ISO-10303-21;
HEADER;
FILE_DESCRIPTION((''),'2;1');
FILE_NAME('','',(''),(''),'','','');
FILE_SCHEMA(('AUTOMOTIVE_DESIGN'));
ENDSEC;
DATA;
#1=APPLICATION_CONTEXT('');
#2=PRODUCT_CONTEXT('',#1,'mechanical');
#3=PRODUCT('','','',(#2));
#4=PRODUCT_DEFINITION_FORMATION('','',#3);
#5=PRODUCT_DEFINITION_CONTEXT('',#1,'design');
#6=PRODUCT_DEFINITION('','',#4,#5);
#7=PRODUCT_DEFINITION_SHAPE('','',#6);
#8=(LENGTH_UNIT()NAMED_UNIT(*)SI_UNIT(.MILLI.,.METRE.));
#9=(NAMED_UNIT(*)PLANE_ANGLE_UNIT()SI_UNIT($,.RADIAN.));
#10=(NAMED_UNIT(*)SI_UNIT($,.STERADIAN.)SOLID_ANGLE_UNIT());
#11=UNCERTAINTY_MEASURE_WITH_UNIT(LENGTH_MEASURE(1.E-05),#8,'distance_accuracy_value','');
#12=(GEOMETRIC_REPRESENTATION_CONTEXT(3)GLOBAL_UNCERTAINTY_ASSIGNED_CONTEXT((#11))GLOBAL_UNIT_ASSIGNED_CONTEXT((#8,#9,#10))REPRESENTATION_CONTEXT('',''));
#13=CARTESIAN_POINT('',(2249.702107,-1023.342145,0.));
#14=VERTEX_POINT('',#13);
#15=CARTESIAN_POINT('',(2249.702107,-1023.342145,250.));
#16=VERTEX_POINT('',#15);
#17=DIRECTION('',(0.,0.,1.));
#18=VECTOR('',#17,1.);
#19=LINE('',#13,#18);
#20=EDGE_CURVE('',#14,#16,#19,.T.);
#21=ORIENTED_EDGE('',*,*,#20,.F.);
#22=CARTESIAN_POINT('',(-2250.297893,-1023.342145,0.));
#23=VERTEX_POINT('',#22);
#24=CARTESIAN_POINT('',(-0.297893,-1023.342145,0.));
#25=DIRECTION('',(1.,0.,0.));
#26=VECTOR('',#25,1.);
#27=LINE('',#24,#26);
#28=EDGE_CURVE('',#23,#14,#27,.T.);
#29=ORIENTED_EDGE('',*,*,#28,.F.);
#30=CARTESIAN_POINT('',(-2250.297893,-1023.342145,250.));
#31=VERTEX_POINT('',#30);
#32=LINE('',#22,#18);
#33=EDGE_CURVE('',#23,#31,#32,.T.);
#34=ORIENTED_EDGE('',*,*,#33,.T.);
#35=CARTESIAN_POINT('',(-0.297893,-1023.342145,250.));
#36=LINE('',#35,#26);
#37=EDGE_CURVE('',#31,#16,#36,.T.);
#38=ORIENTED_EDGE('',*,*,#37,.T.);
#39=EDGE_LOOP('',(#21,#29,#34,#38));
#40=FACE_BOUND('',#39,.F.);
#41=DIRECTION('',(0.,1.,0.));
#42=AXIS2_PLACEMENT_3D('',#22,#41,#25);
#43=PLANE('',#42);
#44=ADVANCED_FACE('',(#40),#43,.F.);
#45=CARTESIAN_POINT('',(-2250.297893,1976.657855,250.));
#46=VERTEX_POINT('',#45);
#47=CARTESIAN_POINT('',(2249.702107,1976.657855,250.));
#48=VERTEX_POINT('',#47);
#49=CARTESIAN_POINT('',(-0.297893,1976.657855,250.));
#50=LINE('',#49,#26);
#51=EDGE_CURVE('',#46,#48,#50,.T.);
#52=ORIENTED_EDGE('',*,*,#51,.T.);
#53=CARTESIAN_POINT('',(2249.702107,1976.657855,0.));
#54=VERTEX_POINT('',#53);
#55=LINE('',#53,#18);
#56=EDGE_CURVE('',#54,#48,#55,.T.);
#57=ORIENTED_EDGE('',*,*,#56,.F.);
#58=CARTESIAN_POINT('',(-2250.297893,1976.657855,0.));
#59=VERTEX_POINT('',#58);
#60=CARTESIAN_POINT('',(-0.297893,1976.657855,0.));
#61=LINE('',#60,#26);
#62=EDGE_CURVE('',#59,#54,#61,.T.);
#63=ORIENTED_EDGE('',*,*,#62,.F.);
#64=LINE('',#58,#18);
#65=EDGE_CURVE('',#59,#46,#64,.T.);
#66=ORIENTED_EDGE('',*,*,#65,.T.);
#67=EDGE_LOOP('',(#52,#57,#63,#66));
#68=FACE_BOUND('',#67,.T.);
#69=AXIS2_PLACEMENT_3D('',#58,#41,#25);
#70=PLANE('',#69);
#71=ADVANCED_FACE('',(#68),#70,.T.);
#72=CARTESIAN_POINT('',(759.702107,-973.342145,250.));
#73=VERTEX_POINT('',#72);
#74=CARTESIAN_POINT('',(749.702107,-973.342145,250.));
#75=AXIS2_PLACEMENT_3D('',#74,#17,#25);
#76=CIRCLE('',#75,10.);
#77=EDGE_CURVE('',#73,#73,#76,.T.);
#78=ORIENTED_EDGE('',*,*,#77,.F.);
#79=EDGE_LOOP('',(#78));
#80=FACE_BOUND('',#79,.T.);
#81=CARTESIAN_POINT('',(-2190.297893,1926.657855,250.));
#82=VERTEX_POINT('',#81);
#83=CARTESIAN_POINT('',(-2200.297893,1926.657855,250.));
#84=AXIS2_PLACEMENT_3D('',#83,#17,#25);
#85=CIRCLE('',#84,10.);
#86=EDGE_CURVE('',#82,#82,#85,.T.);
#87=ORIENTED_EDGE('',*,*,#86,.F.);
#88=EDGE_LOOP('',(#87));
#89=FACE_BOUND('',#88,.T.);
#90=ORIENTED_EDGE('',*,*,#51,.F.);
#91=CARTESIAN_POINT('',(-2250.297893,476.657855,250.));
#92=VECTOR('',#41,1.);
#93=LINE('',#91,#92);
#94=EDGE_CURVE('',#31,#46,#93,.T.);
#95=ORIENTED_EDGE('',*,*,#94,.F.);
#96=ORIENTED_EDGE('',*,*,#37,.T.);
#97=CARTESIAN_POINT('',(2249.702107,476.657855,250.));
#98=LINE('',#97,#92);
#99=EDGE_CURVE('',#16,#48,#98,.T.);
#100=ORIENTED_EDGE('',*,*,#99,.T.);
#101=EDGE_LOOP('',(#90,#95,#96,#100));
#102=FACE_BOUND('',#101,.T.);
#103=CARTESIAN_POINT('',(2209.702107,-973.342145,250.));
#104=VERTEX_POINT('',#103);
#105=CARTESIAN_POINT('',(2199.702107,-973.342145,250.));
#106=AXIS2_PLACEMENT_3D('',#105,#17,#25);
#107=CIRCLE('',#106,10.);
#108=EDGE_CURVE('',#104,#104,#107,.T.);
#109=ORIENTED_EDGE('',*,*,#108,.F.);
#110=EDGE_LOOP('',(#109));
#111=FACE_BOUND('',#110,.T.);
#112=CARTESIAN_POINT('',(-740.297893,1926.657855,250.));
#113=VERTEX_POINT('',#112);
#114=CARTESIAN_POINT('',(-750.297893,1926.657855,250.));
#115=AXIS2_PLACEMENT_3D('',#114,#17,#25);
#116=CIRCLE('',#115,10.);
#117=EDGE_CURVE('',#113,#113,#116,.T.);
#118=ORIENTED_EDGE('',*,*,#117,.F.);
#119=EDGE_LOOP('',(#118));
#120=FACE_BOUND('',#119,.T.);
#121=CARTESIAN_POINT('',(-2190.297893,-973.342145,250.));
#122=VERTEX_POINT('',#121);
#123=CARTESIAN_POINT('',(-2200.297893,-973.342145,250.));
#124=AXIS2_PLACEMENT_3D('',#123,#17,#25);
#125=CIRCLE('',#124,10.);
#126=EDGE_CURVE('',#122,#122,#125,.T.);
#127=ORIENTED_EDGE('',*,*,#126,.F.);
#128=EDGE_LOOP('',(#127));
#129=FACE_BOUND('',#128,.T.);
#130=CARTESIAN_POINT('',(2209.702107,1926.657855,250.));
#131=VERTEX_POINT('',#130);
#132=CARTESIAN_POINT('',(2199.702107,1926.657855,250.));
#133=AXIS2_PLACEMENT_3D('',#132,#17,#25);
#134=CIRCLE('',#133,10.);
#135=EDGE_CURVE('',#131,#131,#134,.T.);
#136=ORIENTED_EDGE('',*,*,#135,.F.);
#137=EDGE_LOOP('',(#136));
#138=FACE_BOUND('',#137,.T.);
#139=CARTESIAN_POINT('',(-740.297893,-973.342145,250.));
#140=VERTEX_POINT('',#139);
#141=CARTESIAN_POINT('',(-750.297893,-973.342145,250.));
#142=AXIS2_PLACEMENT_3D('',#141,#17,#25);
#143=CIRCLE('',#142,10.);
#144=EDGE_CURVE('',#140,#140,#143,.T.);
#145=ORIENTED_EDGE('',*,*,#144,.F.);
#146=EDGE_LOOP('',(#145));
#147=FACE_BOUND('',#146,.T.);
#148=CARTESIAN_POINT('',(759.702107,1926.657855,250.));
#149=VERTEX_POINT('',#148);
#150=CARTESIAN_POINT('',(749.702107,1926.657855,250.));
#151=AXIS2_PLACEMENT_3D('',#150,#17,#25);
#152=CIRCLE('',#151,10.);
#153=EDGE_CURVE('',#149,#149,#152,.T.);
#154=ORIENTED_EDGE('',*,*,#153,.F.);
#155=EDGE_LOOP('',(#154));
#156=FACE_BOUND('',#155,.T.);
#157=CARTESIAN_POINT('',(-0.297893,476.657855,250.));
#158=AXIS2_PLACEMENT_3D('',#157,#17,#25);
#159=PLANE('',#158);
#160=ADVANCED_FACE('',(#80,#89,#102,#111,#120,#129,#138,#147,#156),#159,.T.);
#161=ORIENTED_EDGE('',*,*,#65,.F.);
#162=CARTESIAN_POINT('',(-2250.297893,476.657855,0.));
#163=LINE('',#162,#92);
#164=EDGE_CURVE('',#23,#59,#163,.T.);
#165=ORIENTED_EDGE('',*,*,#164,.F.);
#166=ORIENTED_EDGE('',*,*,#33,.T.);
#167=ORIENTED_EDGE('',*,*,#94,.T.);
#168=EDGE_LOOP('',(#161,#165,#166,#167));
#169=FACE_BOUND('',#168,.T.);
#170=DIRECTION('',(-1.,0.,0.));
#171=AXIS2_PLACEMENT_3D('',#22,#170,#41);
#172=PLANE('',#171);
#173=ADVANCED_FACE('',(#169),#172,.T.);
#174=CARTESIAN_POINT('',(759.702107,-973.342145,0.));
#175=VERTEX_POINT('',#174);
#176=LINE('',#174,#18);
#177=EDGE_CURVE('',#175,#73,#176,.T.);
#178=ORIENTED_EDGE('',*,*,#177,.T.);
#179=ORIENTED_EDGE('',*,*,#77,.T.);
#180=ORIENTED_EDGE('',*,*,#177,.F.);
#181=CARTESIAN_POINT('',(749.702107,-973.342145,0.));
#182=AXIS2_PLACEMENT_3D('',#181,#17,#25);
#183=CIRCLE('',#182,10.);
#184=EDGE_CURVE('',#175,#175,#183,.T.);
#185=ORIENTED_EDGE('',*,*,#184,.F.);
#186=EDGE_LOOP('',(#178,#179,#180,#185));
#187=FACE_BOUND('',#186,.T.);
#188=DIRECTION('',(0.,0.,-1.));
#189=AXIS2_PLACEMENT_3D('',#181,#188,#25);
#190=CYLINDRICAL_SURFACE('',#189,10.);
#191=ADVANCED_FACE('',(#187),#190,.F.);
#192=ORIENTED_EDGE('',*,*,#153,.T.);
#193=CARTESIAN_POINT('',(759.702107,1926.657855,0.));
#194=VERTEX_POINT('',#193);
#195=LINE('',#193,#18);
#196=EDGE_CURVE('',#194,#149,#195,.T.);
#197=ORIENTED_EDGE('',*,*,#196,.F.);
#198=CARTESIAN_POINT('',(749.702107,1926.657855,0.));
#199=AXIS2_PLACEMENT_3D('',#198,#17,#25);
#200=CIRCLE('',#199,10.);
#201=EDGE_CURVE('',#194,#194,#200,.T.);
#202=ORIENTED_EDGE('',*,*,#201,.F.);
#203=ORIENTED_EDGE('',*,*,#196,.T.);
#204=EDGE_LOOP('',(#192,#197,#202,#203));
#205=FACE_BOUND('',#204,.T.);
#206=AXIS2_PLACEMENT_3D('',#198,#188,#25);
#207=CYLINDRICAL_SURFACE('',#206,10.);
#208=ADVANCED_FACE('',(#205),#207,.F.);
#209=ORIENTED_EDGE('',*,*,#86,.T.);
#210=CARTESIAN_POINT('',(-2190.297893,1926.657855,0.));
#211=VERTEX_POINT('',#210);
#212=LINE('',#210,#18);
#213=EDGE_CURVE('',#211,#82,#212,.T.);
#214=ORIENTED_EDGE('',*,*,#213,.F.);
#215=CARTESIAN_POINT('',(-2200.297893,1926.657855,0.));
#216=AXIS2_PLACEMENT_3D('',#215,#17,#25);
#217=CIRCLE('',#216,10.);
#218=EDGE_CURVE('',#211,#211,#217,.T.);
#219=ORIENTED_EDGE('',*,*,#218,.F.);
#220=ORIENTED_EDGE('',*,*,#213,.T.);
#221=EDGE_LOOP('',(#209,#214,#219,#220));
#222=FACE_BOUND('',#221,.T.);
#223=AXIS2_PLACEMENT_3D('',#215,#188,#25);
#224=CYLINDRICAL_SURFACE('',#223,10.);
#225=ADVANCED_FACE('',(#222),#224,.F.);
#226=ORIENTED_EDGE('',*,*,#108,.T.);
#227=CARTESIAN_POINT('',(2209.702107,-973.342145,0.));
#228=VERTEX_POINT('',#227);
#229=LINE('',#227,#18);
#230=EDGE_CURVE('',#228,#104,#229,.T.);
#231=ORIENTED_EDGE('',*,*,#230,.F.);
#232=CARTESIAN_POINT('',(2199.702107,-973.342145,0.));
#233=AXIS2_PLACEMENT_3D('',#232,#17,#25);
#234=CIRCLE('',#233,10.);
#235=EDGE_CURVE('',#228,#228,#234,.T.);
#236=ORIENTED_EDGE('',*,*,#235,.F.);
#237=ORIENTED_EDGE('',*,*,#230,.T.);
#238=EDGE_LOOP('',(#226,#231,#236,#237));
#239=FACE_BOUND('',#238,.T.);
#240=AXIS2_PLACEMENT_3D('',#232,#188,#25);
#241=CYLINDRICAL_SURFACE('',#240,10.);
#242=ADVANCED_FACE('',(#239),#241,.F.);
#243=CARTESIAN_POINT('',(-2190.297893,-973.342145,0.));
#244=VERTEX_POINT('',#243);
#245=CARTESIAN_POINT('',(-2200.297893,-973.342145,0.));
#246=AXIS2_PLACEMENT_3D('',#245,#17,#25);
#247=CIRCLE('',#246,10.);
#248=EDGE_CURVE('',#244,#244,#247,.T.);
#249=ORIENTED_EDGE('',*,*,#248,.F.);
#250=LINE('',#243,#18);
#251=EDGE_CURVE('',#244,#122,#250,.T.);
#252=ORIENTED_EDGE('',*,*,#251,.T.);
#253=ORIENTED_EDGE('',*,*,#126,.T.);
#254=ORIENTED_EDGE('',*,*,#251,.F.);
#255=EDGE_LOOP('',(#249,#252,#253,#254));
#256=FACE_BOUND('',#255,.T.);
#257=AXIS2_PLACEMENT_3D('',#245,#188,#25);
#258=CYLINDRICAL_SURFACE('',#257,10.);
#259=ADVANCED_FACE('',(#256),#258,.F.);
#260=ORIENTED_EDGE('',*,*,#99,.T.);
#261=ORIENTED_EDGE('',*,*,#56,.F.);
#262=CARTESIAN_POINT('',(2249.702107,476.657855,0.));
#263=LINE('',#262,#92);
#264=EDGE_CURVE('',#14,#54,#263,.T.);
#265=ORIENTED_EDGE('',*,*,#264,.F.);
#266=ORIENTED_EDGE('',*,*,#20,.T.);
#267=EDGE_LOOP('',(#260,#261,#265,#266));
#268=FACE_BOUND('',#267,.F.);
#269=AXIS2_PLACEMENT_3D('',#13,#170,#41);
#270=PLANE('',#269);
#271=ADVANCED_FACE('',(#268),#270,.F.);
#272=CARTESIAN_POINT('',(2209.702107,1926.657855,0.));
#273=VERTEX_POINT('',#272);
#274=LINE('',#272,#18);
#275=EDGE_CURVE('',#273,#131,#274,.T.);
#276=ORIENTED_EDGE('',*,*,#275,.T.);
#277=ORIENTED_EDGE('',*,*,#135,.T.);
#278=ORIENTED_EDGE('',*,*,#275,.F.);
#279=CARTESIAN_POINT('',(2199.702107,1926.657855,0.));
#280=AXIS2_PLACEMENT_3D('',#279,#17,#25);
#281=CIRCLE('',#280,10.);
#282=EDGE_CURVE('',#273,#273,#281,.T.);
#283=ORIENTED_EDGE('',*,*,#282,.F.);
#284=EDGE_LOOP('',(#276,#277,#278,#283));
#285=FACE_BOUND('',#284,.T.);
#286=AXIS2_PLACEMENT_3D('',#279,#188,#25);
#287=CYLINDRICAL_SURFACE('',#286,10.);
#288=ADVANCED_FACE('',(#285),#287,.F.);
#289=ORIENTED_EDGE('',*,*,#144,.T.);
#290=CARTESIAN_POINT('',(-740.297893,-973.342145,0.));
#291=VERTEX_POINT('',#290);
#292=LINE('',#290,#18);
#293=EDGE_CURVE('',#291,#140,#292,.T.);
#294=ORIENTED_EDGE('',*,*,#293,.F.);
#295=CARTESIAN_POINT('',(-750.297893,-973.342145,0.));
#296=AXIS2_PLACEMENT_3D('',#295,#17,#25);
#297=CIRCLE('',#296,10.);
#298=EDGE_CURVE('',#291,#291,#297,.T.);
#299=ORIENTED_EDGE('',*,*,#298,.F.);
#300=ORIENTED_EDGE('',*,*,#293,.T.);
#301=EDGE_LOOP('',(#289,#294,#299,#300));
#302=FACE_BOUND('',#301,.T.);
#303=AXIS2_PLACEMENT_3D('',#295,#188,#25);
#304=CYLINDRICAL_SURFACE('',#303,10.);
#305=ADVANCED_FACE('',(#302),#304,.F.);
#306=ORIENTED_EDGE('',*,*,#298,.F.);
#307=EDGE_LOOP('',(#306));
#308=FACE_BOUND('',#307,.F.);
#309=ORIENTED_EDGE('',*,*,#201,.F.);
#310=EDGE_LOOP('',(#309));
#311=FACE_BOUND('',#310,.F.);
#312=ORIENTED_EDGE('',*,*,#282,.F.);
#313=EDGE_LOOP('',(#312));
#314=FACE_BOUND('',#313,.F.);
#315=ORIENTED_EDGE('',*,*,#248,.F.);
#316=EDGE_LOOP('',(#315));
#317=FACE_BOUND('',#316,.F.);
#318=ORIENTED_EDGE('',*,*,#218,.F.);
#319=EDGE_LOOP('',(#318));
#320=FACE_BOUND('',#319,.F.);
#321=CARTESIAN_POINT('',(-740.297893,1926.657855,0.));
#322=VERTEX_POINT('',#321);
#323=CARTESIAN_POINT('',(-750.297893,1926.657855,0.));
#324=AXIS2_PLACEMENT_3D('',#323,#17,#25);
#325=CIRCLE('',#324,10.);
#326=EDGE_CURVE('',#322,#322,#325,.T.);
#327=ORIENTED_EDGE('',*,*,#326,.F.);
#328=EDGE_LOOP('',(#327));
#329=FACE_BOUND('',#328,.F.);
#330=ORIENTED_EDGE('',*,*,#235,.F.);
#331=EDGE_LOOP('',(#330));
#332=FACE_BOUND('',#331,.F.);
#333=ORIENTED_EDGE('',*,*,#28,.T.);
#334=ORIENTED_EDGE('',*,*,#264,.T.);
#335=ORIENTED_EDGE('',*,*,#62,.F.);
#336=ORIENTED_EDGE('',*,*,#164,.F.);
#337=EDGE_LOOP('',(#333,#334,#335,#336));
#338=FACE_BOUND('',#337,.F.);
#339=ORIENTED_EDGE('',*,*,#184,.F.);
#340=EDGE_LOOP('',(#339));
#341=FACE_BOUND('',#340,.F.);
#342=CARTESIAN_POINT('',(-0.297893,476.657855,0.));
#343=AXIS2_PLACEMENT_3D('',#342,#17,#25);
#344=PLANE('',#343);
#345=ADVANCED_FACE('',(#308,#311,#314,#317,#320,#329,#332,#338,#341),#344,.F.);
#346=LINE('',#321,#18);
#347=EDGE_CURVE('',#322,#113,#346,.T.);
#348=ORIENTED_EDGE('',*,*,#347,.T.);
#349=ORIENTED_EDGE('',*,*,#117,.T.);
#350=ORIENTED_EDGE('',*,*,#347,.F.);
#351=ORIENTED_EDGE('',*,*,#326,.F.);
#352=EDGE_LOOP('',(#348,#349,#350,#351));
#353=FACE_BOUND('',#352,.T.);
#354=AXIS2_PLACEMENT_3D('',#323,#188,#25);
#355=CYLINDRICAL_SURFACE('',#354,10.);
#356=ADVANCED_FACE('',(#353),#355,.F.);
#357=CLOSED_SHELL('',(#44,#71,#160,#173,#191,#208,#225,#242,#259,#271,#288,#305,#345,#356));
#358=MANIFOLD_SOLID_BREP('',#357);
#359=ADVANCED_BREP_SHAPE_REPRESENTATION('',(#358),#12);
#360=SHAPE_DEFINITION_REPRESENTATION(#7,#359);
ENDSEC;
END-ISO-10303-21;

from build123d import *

# Parameters (mm, degrees)
F0_W     = 4500
F0_H     = 3000
F0_R     = 10
F1_DEPTH = 250


with BuildPart() as f1:
    # F0 (on Top) → F1 (new body)
    with BuildSketch(Plane.XY):
        with Locations((-0.297893, 476.657855)):
            Rectangle(F0_W, F0_H)
        with Locations((-2200.297893, -973.342145)):
            Circle(F0_R, mode=Mode.SUBTRACT)
        with Locations((-750.297893, -973.342145)):
            Circle(F0_R, mode=Mode.SUBTRACT)
        with Locations((749.702107, -973.342145)):
            Circle(F0_R, mode=Mode.SUBTRACT)
        with Locations((2199.702107, -973.342145)):
            Circle(F0_R, mode=Mode.SUBTRACT)
        with Locations((-2200.297893, 1926.657855)):
            Circle(F0_R, mode=Mode.SUBTRACT)
        with Locations((-750.297893, 1926.657855)):
            Circle(F0_R, mode=Mode.SUBTRACT)
        with Locations((749.702107, 1926.657855)):
            Circle(F0_R, mode=Mode.SUBTRACT)
        with Locations((2199.702107, 1926.657855)):
            Circle(F0_R, mode=Mode.SUBTRACT)
    extrude(amount=F1_DEPTH)


solid = f1.part
